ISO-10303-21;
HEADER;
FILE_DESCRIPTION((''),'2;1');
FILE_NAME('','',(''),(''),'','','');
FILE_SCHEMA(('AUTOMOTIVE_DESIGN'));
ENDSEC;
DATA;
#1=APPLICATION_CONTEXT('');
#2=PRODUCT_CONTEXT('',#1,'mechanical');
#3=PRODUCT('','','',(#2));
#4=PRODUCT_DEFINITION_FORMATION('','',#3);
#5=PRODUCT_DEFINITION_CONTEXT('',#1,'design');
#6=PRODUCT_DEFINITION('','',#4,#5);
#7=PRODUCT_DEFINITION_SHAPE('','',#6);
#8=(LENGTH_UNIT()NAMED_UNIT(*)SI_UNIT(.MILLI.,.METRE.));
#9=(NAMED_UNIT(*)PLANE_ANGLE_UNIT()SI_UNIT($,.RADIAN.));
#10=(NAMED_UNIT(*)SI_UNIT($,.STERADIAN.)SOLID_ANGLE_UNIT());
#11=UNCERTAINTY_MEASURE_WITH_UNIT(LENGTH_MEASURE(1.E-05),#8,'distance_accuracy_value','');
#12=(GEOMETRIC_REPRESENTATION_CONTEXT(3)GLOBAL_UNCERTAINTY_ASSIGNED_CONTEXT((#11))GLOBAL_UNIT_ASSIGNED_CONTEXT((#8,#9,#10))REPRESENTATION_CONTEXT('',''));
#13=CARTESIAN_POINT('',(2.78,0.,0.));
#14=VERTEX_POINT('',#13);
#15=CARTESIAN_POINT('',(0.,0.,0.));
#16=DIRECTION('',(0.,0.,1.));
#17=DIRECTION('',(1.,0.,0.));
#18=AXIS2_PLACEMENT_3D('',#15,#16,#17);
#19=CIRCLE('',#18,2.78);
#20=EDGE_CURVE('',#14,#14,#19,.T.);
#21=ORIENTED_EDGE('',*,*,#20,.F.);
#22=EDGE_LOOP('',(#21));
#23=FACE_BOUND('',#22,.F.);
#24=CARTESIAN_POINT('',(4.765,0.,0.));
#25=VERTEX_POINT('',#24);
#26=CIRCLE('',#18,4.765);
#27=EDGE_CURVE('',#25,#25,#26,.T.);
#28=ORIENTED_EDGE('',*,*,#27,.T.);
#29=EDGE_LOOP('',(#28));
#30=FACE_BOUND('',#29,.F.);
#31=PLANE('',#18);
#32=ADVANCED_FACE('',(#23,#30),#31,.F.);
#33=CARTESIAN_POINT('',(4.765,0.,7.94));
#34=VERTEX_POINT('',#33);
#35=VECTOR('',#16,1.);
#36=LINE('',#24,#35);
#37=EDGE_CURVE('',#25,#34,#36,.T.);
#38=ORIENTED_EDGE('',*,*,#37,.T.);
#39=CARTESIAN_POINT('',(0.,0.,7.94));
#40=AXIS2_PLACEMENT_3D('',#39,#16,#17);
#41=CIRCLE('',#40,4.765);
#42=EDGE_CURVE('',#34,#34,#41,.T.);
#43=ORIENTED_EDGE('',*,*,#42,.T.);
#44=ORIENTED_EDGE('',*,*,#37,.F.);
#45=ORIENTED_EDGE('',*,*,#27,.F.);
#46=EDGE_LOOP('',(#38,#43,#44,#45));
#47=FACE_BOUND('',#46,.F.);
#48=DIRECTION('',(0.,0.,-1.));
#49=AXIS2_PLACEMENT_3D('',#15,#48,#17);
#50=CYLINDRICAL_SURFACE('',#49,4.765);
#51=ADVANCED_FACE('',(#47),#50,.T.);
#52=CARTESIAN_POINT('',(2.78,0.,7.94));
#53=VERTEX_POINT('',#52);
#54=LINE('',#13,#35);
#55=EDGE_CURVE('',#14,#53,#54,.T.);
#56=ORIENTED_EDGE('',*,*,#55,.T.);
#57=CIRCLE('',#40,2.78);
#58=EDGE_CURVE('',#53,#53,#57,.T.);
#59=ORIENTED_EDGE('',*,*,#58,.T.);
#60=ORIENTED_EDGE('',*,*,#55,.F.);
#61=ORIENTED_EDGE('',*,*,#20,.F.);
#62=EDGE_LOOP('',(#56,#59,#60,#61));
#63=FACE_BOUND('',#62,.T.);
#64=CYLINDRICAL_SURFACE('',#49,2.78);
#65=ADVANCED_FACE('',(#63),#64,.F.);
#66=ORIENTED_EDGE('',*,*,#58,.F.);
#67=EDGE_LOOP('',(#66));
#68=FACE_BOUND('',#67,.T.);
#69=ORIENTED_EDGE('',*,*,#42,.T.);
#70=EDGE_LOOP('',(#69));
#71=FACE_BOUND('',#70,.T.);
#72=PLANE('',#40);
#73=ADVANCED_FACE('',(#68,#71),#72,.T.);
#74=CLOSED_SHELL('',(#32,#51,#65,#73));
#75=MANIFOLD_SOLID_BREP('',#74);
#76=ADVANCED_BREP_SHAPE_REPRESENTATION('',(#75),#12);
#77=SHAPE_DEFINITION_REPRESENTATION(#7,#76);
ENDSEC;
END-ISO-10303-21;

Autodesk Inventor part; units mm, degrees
ref_plane "YZ Plane" through (0, 0, 0) normal (1, 0, 0) x (0, 1, 0)
ref_plane "XZ Plane" through (0, 0, 0) normal (0, 1, 0) x (-1, 0, 0)
ref_plane "XY Plane" through (0, 0, 0) normal (0, 0, 1) x (1, 0, 0)
sketch "Sketch1" plane through (0, 0, 0) normal (0, 0, 1) x (1, 0, 0)
  circle A0 centre (0, 0) radius 2.78
  circle A1 centre (0, 0) radius 4.765
  dimension "d0" = 5.56
  dimension "d1" = 9.53
extrude "Extrusion1" add sketch "Sketch1" along normal blind 7.94
properties part number "25312-14" material "Aluminum 6061"
